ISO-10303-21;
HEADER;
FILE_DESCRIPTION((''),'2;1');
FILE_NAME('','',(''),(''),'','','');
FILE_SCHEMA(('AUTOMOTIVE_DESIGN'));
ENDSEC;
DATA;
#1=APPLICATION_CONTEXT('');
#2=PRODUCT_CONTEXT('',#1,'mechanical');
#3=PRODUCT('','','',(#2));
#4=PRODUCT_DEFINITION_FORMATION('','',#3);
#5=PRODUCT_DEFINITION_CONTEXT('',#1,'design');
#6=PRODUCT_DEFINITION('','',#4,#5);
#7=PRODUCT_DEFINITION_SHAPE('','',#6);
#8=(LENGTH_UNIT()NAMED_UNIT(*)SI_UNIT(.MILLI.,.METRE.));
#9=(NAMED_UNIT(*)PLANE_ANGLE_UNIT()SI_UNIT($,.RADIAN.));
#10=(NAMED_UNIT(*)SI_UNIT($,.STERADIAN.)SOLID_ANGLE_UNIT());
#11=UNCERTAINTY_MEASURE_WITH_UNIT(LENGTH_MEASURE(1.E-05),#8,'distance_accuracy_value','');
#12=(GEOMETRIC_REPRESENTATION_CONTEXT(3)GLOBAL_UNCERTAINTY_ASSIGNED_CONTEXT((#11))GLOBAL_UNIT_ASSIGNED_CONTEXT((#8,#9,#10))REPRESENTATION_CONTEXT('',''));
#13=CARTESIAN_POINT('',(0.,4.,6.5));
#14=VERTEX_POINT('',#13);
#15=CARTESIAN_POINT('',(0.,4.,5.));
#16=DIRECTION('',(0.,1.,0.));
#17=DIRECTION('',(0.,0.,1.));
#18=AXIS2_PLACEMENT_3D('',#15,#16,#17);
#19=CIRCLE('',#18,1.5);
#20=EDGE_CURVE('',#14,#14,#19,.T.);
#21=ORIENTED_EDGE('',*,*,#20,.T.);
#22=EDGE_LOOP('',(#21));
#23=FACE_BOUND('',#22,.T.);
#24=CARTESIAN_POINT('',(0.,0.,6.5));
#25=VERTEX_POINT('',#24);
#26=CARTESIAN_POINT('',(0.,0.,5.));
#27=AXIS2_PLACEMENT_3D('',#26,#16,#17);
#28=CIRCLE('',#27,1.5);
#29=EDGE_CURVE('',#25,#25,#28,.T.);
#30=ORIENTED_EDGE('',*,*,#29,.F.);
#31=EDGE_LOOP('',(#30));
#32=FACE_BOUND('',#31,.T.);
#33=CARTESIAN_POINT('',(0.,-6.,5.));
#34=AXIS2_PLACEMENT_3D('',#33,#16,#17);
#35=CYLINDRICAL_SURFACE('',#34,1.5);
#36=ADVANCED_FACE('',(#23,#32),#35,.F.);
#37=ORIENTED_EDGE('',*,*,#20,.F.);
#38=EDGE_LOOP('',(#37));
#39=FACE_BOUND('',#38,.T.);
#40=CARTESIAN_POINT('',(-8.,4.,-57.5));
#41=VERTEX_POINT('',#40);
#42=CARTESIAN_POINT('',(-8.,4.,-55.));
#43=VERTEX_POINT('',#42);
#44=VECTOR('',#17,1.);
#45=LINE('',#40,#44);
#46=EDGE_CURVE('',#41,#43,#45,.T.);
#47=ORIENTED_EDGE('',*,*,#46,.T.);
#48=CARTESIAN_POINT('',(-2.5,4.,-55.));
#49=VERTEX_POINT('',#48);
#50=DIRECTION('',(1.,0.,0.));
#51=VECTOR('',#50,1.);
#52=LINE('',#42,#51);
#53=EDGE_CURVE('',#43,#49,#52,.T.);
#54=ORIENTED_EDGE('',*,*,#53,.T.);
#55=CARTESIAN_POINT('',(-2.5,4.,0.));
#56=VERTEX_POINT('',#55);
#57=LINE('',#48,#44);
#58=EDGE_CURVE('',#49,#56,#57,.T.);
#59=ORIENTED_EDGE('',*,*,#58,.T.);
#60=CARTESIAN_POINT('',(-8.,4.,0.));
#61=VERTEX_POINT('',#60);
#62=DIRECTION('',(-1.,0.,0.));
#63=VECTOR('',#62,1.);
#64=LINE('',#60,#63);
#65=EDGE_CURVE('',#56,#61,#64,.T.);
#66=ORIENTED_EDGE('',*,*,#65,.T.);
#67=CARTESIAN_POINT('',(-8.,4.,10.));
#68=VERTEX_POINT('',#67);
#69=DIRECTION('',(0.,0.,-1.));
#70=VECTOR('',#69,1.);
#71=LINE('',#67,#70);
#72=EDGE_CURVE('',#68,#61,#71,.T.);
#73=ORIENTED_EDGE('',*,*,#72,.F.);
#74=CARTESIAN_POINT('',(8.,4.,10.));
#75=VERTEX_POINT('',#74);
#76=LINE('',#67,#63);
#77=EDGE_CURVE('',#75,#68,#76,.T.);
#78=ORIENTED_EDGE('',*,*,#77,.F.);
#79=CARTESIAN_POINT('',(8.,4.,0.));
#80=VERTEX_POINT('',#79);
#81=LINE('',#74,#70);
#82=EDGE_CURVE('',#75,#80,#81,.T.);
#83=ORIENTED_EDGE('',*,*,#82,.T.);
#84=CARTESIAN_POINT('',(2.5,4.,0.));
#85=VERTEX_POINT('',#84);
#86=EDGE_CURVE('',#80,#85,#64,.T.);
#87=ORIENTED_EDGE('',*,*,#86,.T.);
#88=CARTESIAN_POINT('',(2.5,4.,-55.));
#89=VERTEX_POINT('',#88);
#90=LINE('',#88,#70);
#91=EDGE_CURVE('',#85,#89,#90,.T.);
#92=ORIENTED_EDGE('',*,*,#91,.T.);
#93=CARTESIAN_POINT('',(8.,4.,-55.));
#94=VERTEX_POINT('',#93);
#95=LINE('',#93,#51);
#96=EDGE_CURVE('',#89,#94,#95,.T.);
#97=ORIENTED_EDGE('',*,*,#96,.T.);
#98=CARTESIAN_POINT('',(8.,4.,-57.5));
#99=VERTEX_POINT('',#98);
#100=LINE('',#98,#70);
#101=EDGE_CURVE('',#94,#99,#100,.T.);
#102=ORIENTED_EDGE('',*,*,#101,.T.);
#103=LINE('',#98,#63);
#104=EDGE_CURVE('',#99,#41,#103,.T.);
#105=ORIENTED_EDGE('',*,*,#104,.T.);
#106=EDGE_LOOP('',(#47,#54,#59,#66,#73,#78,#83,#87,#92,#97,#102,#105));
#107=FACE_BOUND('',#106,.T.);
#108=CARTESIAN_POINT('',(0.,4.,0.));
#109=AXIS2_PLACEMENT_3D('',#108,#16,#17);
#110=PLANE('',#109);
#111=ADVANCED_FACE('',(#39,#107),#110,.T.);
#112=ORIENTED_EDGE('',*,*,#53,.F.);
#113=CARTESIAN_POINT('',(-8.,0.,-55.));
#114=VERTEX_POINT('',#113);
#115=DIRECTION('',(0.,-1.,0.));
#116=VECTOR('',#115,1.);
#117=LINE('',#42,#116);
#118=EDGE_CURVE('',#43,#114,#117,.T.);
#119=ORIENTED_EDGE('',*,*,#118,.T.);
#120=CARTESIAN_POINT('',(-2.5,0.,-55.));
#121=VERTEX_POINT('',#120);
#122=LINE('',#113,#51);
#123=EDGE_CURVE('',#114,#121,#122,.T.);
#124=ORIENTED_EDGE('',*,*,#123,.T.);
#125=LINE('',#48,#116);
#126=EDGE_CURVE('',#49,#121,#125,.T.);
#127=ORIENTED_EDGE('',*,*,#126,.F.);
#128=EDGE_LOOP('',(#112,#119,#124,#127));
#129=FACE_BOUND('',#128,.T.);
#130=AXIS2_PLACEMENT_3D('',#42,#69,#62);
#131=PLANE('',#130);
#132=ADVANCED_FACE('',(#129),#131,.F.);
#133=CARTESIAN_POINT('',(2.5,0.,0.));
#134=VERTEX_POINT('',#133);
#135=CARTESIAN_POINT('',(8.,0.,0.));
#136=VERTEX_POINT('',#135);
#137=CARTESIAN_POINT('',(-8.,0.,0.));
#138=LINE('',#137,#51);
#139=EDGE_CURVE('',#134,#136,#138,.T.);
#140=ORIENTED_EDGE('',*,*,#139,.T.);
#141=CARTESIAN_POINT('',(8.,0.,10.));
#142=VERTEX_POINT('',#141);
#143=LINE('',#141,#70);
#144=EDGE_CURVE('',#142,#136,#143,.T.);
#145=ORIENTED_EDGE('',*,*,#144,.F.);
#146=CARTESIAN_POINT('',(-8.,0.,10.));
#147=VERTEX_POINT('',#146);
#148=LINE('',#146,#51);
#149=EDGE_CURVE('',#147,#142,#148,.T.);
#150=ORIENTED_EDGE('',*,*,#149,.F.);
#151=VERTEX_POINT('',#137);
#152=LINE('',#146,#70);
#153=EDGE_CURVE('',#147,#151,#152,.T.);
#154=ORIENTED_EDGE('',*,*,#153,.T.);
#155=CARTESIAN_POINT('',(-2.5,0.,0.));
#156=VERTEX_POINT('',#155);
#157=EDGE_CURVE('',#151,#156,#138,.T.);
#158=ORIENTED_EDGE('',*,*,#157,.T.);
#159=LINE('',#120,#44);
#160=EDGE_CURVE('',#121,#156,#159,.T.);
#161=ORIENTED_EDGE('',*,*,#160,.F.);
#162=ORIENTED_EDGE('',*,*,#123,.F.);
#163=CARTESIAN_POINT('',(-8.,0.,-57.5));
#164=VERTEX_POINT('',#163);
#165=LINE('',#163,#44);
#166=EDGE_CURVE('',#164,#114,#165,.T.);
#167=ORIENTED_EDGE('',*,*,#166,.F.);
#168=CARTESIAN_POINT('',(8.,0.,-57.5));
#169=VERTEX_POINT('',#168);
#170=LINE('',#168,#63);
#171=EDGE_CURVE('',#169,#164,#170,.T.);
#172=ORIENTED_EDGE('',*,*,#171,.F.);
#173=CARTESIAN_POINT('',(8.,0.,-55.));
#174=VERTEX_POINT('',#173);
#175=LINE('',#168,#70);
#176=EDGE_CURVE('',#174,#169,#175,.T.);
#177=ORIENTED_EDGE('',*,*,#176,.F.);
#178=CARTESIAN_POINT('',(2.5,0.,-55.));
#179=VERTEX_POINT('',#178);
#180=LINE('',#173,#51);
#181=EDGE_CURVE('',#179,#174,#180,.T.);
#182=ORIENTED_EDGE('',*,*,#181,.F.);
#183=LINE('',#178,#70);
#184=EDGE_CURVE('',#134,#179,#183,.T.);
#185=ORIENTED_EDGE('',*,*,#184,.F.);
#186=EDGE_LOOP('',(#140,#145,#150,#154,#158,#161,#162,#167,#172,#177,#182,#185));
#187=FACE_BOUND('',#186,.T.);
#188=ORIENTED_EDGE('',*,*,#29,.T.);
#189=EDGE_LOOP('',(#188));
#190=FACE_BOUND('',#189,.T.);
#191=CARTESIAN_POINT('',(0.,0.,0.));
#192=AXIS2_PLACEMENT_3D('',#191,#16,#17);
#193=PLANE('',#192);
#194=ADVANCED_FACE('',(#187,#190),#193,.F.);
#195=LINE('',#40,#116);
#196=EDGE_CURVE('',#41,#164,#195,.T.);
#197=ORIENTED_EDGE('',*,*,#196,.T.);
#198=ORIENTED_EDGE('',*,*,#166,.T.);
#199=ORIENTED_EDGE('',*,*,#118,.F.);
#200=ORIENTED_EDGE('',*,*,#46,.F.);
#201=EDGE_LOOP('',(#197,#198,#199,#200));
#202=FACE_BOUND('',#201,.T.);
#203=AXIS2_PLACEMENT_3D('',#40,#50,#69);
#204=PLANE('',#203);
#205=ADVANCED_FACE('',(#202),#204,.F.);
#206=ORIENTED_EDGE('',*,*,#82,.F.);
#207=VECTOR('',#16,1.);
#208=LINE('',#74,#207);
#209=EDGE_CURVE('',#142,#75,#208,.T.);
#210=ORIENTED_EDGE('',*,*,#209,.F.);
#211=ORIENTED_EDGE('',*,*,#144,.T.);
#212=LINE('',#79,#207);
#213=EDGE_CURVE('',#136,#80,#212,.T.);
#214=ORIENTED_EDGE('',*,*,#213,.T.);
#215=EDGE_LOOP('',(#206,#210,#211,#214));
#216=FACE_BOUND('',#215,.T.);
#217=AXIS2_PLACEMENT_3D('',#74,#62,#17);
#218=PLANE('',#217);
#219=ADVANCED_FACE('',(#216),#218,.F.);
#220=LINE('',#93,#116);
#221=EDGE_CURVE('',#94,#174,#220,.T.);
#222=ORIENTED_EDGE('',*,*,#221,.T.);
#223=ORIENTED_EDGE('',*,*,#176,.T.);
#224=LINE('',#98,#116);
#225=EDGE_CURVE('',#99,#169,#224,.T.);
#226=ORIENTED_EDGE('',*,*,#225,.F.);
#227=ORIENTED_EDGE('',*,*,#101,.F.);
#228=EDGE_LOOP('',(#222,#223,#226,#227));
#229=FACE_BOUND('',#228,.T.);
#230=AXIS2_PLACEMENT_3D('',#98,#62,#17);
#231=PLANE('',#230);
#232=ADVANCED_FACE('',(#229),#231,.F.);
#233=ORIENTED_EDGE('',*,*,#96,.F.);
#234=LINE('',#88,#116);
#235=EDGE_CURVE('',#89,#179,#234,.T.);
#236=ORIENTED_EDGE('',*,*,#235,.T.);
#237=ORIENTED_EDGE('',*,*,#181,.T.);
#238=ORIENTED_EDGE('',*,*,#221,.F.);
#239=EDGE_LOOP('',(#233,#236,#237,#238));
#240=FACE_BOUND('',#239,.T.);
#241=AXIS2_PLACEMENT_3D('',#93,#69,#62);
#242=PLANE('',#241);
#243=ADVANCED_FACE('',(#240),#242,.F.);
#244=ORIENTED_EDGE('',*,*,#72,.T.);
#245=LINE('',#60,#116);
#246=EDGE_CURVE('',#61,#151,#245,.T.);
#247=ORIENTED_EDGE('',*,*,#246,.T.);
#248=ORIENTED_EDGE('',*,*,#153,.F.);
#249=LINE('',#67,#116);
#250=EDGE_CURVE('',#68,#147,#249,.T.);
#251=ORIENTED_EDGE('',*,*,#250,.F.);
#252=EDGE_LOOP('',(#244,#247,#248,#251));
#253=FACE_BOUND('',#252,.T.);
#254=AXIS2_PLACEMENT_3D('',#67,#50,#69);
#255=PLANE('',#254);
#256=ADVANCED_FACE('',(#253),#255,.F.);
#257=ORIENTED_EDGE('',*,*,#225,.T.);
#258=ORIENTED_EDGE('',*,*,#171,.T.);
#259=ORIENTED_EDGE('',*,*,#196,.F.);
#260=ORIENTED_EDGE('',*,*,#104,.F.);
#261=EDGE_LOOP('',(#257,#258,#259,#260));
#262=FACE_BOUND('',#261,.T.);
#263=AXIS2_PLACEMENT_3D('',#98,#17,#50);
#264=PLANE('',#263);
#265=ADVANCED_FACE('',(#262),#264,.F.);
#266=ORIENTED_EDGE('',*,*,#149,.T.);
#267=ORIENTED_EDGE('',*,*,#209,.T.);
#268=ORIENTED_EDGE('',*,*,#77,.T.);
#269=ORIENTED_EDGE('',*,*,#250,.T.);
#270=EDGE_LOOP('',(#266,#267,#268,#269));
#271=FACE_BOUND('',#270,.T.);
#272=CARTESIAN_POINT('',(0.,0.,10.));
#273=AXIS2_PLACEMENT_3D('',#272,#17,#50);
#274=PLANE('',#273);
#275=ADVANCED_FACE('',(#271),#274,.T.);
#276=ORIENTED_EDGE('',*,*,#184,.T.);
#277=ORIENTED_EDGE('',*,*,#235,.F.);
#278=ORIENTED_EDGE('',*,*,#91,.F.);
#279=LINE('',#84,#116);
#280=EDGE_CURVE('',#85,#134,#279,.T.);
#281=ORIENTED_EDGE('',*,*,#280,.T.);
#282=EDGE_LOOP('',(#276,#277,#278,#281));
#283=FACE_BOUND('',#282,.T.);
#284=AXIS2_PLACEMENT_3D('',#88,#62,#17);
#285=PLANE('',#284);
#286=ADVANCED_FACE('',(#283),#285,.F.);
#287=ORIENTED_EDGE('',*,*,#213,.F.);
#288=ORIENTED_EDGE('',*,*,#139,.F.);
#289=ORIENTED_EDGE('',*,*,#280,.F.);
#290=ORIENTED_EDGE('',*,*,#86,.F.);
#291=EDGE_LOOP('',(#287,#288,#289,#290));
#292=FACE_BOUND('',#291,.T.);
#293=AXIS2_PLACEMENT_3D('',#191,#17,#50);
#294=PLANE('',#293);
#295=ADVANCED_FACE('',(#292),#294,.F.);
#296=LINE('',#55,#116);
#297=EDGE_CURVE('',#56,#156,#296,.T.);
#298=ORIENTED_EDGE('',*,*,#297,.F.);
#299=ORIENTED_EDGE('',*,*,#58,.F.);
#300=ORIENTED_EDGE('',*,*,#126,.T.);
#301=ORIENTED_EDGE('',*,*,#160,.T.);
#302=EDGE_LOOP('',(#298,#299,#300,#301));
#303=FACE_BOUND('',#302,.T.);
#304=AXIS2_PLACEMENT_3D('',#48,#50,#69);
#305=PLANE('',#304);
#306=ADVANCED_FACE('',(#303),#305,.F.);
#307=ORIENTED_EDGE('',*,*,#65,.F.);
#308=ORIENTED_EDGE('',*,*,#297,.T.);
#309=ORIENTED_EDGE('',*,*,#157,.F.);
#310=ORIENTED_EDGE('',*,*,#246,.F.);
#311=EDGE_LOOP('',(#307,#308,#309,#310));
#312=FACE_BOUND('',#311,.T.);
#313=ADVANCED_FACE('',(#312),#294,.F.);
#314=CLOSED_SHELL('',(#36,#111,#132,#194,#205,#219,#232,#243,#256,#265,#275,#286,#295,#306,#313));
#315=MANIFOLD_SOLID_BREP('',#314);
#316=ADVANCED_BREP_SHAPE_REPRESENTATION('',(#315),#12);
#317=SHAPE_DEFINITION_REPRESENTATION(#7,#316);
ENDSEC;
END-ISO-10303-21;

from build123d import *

# Parameters (mm, degrees)
BOSS_EXTRUDE1_DEPTH = 4
SKETCH2_W           = 16
SKETCH2_H           = 4
BOSS_EXTRUDE2_DEPTH = 10
SKETCH3_R           = 1.5
CUT_EXTRUDE1_DEPTH  = 10


with BuildPart() as part:
    # Sketch1 → Boss-Extrude1 (new body)
    with BuildSketch(Plane(origin=(0, 0, 0), x_dir=(1, 0, 0), z_dir=(0, 1, 0))):
        Polygon((8, 57.5), (-8, 57.5), (-8, 55), (-2.5, 55), (-2.5, 0), (2.5, 0), (2.5, 55), (8, 55), align=None)
    extrude(amount=BOSS_EXTRUDE1_DEPTH)

    # Sketch2 → Boss-Extrude2 (add)
    with BuildSketch(Plane.XY):
        with Locations((0, 2)):
            Rectangle(SKETCH2_W, SKETCH2_H)
    extrude(amount=BOSS_EXTRUDE2_DEPTH)

    # Sketch3 → Cut-Extrude1 (cut)
    with BuildSketch(Plane(origin=(0, 4, 0), x_dir=(1, 0, 0), z_dir=(0, 1, 0))):
        with Locations((0, -5)):
            Circle(SKETCH3_R)
    extrude(amount=-CUT_EXTRUDE1_DEPTH, mode=Mode.SUBTRACT)


solid = part.part
